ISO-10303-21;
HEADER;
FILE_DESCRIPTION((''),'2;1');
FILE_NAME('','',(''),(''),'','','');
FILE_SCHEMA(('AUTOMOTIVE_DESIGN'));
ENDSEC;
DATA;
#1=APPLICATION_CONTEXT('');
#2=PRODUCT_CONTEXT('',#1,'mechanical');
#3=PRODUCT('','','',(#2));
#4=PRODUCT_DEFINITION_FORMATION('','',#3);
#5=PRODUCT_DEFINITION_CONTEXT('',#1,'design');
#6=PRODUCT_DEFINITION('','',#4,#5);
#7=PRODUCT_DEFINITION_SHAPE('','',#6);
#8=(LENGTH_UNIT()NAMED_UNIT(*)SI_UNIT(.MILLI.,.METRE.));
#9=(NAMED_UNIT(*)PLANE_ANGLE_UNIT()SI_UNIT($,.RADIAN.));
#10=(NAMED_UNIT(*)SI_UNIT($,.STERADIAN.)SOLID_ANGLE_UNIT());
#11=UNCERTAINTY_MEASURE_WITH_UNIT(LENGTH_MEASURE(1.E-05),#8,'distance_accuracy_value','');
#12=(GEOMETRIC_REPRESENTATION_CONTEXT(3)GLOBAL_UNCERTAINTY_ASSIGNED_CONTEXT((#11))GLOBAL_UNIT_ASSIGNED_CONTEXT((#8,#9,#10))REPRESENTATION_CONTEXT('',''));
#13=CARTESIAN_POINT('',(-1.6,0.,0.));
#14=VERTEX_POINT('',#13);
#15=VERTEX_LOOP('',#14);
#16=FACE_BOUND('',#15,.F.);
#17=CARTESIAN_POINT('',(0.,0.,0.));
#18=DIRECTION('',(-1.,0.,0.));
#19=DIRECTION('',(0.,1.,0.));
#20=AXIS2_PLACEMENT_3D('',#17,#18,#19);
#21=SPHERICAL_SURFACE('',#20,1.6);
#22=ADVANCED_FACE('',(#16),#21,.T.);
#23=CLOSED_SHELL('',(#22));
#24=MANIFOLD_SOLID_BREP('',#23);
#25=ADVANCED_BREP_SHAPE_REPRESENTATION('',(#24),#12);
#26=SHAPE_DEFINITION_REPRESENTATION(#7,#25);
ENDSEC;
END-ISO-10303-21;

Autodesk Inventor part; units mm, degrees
sketch "Sketch_1" plane through (0, 0, 0) normal (0, 0, 1) x (1, 0, 0)
  line L0 (1.6, 0) -> (-1.6, 0)
  arc A0 (1.6, 0) -> (-1.6, 0) centre (0, 0) ccw
  line L1 (1.6, 0) -> (-1.6, 0)
revolve "Revolution1" add sketch "Sketch_1" angle 360 about axis through (1.6, 0, 0) along (1, 0, 0)
ref_plane "Ball_OR_XY" through (0, 0, 0) normal (1, 0, 0) x (0, 0, -1)
ref_plane "Ball_OR_YZ" through (0, 0, 0) normal (0, 0, -1) x (0, 1, 0)
ref_plane "Ball_OR_ZX" through (0, 0, 0) normal (0, 1, 0) x (1, 0, 0)
properties part number "040102DR-18-H8_ball_CPY"
